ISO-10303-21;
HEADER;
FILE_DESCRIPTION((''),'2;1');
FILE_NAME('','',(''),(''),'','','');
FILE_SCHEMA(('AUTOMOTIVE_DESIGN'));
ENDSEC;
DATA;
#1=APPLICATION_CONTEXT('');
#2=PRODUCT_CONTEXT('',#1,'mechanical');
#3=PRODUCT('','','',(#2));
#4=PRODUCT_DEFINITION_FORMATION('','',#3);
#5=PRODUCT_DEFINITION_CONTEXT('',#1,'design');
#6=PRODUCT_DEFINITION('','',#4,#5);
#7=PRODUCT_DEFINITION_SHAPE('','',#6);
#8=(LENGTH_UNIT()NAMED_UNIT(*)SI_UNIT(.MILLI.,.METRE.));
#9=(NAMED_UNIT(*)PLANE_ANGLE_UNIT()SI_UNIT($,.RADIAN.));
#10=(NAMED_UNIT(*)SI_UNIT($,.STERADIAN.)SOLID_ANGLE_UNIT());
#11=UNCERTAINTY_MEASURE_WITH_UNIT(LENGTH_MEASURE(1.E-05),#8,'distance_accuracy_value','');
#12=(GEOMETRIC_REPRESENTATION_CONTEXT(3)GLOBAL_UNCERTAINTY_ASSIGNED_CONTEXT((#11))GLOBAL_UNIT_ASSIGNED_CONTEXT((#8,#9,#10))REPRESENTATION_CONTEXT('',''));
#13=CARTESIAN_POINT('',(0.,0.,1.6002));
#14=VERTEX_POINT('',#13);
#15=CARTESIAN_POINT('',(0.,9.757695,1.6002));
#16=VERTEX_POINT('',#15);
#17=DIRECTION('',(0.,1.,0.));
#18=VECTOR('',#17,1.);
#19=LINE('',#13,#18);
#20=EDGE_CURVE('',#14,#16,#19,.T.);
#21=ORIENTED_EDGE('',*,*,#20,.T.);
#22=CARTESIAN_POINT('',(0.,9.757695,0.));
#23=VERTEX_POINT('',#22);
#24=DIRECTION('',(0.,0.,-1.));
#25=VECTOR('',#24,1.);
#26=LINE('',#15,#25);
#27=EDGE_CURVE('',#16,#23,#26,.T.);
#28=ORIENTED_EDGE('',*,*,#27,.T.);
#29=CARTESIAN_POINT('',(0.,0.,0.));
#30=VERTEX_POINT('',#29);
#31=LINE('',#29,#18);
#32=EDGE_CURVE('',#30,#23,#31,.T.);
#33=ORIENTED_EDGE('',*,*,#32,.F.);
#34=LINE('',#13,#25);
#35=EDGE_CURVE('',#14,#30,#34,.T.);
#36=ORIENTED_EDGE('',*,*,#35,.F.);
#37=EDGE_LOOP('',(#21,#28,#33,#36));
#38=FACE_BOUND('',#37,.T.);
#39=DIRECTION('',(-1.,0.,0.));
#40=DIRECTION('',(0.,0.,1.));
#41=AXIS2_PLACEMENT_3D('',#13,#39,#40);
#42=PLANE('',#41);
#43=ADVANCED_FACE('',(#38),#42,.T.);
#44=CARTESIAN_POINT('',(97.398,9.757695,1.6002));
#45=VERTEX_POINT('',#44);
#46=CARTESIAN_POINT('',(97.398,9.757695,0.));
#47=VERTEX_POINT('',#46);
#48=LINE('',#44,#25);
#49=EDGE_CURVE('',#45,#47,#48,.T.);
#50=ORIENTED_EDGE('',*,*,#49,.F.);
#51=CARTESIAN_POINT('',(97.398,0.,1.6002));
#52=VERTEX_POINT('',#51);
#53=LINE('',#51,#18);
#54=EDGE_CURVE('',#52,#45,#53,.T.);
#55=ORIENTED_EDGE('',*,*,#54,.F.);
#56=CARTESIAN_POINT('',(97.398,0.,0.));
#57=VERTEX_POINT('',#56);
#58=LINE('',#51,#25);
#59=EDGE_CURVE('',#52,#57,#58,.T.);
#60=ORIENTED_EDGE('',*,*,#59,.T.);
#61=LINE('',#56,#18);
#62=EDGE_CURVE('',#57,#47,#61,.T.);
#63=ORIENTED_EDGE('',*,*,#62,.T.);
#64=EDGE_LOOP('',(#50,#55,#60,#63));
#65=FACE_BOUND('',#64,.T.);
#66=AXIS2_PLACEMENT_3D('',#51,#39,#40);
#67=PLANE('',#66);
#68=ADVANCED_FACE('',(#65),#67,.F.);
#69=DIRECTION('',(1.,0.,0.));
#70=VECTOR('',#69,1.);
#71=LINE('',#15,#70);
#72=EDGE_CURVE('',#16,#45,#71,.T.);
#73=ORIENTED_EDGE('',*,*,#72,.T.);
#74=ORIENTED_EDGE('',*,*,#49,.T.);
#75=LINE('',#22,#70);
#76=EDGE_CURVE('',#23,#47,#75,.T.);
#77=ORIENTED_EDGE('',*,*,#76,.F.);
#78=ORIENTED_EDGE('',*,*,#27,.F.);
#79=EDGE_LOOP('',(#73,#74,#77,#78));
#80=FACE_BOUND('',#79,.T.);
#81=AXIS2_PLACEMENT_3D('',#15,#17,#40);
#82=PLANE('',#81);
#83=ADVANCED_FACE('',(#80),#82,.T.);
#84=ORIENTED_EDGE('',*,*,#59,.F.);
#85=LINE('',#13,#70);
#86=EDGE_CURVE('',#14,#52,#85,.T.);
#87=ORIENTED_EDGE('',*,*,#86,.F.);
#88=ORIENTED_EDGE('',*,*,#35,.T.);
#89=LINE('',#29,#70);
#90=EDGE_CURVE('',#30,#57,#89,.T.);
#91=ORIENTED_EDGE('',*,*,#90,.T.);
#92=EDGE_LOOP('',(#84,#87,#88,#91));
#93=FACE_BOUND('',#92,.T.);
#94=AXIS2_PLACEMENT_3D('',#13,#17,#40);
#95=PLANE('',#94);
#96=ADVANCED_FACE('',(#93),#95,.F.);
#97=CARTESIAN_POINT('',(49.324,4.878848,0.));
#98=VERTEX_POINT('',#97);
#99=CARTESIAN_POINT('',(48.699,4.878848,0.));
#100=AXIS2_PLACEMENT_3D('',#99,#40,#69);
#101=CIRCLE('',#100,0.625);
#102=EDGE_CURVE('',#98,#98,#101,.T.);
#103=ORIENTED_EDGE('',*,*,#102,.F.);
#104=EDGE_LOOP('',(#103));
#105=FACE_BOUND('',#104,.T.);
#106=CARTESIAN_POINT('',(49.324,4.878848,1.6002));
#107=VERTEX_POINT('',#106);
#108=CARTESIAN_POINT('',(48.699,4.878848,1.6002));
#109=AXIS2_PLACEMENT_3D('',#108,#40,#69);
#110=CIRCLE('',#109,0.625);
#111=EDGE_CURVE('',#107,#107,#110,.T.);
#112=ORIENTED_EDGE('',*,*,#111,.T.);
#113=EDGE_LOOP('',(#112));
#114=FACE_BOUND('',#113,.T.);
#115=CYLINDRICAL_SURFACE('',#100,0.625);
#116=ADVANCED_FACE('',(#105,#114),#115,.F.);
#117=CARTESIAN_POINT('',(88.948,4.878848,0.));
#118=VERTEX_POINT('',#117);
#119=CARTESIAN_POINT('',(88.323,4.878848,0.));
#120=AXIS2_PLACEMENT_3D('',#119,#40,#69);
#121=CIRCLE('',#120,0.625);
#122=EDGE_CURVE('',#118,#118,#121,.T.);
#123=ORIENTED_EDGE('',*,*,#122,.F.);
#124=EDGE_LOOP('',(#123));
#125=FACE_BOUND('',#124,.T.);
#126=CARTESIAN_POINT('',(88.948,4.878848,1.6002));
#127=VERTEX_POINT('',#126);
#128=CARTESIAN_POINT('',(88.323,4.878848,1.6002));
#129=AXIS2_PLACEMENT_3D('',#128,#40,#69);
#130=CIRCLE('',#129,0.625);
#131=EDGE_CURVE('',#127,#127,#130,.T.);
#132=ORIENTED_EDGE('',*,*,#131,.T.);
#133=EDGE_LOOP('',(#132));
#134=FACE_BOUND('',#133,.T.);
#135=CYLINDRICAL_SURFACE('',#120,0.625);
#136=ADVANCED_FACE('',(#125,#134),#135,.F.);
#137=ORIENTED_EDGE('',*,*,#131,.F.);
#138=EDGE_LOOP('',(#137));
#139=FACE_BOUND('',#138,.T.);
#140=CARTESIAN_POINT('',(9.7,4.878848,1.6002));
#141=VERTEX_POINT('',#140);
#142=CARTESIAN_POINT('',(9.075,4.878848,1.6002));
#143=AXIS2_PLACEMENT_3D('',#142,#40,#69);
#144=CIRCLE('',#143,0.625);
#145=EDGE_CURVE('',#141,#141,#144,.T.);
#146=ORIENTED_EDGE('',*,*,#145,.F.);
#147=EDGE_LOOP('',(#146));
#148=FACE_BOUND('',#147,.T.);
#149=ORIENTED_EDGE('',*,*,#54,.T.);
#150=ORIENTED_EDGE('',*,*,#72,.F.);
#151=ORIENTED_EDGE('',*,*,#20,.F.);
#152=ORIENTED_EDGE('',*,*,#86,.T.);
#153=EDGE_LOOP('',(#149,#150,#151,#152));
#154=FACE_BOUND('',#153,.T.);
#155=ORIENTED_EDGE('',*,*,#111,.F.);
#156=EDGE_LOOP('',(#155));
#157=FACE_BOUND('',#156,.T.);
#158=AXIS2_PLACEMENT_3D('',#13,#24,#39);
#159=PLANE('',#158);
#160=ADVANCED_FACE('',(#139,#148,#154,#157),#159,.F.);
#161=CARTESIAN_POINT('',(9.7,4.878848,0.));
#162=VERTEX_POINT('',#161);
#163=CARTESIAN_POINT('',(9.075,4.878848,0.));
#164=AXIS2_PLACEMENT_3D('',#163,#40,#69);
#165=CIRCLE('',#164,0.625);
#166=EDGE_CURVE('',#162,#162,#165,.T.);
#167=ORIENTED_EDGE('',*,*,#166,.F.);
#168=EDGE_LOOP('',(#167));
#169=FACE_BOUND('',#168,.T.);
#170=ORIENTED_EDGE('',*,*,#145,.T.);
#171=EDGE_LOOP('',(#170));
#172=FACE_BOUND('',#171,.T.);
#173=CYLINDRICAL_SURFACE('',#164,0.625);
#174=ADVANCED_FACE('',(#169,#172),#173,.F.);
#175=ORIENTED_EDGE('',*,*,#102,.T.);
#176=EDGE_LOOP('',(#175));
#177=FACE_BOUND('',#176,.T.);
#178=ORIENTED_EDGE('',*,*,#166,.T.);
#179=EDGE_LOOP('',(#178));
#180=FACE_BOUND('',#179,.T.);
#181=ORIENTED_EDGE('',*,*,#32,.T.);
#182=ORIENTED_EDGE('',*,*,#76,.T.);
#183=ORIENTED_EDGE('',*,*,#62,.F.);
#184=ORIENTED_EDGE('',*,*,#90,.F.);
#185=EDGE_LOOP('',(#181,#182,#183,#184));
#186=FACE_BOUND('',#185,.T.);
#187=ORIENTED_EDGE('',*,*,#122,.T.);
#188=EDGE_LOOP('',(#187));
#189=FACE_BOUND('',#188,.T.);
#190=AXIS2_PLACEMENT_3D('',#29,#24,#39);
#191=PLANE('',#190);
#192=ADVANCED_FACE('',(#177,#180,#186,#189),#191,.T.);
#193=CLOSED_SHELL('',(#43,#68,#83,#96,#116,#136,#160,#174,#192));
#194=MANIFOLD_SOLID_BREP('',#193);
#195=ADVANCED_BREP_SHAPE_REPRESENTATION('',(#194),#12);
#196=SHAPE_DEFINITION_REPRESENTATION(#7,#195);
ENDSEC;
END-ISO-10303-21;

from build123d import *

# Parameters (mm, degrees)
SKETCH1_W           = 97.398000022
SKETCH1_H           = 9.757695242
BOSS_EXTRUDE1_DEPTH = 1.6002
SKETCH2_R           = 0.625
CUT_EXTRUDE1_DEPTH  = 98.898639749


with BuildPart() as part:
    # Sketch1 → Boss-Extrude1 (new body)
    with BuildSketch(Plane.XY):
        with Locations((48.699000011, 4.878847621)):
            Rectangle(SKETCH1_W, SKETCH1_H)
    extrude(amount=BOSS_EXTRUDE1_DEPTH)

    # Sketch2 → Cut-Extrude1 (cut, through all)
    with BuildSketch(Plane.XY.offset(1.6002)):
        with Locations((9.074999884, 4.878847621)):
            Circle(SKETCH2_R)
        with Locations((48.698999884, 4.878847621)):
            Circle(SKETCH2_R)
        with Locations((88.323000138, 4.878847621)):
            Circle(SKETCH2_R)
    extrude(amount=-CUT_EXTRUDE1_DEPTH, mode=Mode.SUBTRACT)


solid = part.part
